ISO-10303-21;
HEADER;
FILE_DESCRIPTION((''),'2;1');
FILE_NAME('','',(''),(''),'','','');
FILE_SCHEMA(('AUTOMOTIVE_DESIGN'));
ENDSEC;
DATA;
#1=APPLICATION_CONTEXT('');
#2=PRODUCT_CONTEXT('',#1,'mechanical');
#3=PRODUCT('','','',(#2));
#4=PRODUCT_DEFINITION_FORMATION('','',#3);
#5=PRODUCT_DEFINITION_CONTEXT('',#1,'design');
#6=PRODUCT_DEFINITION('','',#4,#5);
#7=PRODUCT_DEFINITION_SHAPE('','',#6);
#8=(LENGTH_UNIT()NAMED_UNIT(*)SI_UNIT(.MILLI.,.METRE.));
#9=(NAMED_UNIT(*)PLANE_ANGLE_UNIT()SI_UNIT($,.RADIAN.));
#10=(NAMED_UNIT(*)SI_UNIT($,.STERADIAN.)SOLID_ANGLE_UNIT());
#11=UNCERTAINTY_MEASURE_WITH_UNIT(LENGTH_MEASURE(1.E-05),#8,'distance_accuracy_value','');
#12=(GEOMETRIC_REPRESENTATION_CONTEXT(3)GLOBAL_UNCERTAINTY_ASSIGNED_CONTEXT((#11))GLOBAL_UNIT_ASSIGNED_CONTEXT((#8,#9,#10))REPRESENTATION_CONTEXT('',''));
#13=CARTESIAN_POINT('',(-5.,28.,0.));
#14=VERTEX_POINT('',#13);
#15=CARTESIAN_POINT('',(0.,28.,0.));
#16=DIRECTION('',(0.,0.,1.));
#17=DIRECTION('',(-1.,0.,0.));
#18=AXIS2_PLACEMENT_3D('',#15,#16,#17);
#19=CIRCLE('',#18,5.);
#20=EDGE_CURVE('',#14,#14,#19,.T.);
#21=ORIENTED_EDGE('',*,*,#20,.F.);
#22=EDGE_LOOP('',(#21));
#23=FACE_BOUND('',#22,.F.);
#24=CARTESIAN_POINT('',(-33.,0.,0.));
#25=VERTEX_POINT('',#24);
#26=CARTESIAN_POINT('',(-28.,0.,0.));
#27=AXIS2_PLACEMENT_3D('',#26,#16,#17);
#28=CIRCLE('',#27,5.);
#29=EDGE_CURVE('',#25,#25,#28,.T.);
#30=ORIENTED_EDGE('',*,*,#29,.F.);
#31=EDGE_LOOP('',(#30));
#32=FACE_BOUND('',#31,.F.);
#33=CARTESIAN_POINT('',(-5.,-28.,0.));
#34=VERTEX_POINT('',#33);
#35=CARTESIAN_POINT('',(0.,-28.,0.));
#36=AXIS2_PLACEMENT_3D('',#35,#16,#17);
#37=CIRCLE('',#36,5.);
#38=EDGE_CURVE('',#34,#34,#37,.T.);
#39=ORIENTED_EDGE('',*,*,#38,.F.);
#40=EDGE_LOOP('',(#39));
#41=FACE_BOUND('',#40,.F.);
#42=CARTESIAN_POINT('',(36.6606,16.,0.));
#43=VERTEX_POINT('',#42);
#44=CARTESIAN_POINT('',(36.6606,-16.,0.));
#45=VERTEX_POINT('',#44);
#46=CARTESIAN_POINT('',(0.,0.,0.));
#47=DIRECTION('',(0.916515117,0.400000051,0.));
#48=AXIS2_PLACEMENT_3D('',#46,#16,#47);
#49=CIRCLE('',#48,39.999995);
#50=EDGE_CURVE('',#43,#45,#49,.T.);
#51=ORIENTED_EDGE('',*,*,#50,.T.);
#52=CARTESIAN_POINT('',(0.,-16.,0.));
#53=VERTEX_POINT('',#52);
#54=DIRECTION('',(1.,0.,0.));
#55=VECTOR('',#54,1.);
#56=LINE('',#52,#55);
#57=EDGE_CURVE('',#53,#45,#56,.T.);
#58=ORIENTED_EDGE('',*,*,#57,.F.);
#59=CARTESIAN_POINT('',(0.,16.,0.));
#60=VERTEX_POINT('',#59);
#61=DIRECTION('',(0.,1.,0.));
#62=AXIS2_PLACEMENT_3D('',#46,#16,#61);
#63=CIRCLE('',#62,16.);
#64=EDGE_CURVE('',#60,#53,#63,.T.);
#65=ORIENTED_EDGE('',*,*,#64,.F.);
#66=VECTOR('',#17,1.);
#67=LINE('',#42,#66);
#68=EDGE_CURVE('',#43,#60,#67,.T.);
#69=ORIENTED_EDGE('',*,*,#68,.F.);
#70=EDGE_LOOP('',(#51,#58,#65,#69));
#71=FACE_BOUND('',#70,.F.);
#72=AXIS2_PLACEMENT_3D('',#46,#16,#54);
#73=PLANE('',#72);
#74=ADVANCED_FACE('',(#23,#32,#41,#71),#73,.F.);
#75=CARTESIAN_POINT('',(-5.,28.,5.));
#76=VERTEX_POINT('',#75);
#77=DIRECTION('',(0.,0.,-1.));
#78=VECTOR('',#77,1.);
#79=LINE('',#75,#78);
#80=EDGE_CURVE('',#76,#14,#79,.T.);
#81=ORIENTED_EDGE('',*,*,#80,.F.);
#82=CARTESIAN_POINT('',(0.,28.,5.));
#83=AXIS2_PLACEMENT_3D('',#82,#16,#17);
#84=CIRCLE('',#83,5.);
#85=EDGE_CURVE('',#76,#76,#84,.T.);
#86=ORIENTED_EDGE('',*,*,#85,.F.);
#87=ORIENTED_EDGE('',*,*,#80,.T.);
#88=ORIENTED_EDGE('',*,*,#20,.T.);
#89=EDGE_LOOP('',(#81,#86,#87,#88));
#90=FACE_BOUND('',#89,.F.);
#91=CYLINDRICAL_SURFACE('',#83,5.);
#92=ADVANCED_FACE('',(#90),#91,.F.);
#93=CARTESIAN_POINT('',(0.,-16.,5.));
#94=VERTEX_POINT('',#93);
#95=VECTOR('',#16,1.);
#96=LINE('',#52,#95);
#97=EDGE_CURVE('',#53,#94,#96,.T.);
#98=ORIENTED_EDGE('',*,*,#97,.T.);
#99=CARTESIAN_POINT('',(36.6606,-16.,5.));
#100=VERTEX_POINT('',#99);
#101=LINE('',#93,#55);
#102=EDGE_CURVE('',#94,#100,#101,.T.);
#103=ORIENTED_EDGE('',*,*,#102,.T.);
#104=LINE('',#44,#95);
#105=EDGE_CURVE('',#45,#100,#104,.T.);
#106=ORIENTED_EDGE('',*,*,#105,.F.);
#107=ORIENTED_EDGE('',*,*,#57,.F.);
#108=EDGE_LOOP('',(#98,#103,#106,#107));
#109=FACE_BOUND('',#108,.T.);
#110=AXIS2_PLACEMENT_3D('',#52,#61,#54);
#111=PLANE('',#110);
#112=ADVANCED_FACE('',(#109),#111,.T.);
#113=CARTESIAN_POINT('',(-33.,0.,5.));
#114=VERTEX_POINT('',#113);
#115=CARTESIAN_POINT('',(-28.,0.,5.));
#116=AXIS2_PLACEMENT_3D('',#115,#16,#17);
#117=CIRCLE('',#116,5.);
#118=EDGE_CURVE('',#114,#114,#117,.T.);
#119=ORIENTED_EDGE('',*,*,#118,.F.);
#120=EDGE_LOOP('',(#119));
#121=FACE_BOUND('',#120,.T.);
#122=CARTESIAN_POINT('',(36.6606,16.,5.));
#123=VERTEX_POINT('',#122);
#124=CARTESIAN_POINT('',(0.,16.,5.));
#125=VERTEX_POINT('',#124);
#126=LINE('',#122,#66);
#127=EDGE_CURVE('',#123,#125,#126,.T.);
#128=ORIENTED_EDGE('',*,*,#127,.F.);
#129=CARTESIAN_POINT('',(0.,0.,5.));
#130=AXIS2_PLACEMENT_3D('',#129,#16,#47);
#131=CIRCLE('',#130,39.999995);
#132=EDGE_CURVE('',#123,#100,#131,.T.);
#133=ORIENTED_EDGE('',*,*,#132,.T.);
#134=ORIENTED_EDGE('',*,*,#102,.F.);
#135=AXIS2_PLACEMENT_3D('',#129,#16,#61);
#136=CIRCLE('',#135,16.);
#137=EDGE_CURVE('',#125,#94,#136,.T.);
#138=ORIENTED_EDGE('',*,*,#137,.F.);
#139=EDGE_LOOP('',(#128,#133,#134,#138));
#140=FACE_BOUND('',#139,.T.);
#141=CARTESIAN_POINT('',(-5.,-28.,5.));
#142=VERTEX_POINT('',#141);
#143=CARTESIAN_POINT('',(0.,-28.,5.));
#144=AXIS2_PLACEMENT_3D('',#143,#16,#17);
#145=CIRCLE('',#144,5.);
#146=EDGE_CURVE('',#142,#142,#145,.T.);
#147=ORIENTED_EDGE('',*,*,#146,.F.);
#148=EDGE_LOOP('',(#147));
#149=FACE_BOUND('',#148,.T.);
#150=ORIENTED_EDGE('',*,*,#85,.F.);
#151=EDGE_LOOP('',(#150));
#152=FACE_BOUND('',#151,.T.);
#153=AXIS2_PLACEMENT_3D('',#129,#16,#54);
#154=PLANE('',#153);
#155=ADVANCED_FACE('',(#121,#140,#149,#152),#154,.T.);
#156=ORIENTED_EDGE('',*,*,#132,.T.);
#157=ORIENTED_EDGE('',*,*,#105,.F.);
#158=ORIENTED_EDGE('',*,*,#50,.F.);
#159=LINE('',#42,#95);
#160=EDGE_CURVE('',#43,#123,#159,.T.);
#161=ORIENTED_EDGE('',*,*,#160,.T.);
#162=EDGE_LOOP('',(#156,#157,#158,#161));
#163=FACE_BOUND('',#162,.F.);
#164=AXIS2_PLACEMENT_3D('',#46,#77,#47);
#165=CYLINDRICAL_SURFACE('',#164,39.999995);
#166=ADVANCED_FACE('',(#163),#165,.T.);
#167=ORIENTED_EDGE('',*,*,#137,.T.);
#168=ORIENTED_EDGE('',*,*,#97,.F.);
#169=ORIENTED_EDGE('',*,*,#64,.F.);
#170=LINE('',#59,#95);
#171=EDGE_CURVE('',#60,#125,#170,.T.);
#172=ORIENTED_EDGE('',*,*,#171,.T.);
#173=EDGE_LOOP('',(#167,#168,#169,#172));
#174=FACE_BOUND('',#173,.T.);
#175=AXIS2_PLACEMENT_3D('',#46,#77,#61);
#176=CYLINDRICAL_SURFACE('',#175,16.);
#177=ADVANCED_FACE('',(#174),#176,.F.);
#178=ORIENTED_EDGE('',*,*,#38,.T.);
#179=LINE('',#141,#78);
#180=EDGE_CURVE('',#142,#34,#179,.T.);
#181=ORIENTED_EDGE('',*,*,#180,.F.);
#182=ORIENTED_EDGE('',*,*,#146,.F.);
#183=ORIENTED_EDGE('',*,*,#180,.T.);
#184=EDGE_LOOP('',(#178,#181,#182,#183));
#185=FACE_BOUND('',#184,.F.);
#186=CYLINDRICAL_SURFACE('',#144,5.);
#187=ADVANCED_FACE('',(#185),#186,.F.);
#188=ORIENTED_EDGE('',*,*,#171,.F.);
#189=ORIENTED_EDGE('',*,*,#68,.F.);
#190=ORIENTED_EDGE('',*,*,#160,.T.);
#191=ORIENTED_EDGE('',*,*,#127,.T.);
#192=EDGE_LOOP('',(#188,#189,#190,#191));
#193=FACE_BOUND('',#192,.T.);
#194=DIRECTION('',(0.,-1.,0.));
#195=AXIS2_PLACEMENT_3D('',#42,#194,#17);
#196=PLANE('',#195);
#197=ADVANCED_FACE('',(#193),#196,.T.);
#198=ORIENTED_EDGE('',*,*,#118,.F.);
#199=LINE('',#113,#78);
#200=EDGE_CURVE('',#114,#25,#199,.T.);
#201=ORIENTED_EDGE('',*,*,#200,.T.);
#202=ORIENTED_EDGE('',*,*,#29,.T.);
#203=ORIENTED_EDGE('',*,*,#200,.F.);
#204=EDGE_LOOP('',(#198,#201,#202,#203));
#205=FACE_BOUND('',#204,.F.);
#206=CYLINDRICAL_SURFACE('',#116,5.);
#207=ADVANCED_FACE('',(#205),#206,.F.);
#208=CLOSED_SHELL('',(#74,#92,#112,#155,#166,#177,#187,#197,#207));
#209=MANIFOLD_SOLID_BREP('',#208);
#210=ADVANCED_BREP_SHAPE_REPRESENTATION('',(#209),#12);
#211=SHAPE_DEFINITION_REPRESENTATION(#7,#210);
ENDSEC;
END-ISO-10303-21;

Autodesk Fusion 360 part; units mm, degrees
sketch "Sketch1" plane through (0, 0, 0) normal (0, 0, 1) x (1, 0, 0)
  line L0 (36.6606, 16) -> (0, 16)
  line L1 (0, -16) -> (36.6606, -16)
  arc A0 (0, 16) -> (0, -16) centre (0, 0) ccw
  arc A1 (36.6606, 16) -> (36.6606, -16) centre (0, 0) ccw
  dimension "d1" = 32
  dimension "d2" = 80
extrude "Extrude1" add sketch "Sketch1" along normal blind 5
sketch "Sketch2" plane through (0, 0, 5) normal (0, 0, 1) x (-1, 0, 0)
  line L0 (0, -16) -> (-36.6606, -16)
  arc A0 (-36.6606, -16) -> (-36.6606, 16) centre (0, 0) ccw
  line L1 (-36.6606, 16) -> (0, 16)
  arc A1 (0, -16) -> (0, 16) centre (0, 0) ccw
  line L2 (0, 0) -> (0, -28) construction
  circle A2 centre (0, -28) radius 5
  circle A3 centre (28, 0) radius 5
  circle A4 centre (0, 28) radius 5
  dimension "d5" = 28
  dimension "d6" = 10
  dimension "d8" = 180
extrude "Extrude2" cut sketch "Sketch2" against normal blind 5 contours A2 | A3 | A4
